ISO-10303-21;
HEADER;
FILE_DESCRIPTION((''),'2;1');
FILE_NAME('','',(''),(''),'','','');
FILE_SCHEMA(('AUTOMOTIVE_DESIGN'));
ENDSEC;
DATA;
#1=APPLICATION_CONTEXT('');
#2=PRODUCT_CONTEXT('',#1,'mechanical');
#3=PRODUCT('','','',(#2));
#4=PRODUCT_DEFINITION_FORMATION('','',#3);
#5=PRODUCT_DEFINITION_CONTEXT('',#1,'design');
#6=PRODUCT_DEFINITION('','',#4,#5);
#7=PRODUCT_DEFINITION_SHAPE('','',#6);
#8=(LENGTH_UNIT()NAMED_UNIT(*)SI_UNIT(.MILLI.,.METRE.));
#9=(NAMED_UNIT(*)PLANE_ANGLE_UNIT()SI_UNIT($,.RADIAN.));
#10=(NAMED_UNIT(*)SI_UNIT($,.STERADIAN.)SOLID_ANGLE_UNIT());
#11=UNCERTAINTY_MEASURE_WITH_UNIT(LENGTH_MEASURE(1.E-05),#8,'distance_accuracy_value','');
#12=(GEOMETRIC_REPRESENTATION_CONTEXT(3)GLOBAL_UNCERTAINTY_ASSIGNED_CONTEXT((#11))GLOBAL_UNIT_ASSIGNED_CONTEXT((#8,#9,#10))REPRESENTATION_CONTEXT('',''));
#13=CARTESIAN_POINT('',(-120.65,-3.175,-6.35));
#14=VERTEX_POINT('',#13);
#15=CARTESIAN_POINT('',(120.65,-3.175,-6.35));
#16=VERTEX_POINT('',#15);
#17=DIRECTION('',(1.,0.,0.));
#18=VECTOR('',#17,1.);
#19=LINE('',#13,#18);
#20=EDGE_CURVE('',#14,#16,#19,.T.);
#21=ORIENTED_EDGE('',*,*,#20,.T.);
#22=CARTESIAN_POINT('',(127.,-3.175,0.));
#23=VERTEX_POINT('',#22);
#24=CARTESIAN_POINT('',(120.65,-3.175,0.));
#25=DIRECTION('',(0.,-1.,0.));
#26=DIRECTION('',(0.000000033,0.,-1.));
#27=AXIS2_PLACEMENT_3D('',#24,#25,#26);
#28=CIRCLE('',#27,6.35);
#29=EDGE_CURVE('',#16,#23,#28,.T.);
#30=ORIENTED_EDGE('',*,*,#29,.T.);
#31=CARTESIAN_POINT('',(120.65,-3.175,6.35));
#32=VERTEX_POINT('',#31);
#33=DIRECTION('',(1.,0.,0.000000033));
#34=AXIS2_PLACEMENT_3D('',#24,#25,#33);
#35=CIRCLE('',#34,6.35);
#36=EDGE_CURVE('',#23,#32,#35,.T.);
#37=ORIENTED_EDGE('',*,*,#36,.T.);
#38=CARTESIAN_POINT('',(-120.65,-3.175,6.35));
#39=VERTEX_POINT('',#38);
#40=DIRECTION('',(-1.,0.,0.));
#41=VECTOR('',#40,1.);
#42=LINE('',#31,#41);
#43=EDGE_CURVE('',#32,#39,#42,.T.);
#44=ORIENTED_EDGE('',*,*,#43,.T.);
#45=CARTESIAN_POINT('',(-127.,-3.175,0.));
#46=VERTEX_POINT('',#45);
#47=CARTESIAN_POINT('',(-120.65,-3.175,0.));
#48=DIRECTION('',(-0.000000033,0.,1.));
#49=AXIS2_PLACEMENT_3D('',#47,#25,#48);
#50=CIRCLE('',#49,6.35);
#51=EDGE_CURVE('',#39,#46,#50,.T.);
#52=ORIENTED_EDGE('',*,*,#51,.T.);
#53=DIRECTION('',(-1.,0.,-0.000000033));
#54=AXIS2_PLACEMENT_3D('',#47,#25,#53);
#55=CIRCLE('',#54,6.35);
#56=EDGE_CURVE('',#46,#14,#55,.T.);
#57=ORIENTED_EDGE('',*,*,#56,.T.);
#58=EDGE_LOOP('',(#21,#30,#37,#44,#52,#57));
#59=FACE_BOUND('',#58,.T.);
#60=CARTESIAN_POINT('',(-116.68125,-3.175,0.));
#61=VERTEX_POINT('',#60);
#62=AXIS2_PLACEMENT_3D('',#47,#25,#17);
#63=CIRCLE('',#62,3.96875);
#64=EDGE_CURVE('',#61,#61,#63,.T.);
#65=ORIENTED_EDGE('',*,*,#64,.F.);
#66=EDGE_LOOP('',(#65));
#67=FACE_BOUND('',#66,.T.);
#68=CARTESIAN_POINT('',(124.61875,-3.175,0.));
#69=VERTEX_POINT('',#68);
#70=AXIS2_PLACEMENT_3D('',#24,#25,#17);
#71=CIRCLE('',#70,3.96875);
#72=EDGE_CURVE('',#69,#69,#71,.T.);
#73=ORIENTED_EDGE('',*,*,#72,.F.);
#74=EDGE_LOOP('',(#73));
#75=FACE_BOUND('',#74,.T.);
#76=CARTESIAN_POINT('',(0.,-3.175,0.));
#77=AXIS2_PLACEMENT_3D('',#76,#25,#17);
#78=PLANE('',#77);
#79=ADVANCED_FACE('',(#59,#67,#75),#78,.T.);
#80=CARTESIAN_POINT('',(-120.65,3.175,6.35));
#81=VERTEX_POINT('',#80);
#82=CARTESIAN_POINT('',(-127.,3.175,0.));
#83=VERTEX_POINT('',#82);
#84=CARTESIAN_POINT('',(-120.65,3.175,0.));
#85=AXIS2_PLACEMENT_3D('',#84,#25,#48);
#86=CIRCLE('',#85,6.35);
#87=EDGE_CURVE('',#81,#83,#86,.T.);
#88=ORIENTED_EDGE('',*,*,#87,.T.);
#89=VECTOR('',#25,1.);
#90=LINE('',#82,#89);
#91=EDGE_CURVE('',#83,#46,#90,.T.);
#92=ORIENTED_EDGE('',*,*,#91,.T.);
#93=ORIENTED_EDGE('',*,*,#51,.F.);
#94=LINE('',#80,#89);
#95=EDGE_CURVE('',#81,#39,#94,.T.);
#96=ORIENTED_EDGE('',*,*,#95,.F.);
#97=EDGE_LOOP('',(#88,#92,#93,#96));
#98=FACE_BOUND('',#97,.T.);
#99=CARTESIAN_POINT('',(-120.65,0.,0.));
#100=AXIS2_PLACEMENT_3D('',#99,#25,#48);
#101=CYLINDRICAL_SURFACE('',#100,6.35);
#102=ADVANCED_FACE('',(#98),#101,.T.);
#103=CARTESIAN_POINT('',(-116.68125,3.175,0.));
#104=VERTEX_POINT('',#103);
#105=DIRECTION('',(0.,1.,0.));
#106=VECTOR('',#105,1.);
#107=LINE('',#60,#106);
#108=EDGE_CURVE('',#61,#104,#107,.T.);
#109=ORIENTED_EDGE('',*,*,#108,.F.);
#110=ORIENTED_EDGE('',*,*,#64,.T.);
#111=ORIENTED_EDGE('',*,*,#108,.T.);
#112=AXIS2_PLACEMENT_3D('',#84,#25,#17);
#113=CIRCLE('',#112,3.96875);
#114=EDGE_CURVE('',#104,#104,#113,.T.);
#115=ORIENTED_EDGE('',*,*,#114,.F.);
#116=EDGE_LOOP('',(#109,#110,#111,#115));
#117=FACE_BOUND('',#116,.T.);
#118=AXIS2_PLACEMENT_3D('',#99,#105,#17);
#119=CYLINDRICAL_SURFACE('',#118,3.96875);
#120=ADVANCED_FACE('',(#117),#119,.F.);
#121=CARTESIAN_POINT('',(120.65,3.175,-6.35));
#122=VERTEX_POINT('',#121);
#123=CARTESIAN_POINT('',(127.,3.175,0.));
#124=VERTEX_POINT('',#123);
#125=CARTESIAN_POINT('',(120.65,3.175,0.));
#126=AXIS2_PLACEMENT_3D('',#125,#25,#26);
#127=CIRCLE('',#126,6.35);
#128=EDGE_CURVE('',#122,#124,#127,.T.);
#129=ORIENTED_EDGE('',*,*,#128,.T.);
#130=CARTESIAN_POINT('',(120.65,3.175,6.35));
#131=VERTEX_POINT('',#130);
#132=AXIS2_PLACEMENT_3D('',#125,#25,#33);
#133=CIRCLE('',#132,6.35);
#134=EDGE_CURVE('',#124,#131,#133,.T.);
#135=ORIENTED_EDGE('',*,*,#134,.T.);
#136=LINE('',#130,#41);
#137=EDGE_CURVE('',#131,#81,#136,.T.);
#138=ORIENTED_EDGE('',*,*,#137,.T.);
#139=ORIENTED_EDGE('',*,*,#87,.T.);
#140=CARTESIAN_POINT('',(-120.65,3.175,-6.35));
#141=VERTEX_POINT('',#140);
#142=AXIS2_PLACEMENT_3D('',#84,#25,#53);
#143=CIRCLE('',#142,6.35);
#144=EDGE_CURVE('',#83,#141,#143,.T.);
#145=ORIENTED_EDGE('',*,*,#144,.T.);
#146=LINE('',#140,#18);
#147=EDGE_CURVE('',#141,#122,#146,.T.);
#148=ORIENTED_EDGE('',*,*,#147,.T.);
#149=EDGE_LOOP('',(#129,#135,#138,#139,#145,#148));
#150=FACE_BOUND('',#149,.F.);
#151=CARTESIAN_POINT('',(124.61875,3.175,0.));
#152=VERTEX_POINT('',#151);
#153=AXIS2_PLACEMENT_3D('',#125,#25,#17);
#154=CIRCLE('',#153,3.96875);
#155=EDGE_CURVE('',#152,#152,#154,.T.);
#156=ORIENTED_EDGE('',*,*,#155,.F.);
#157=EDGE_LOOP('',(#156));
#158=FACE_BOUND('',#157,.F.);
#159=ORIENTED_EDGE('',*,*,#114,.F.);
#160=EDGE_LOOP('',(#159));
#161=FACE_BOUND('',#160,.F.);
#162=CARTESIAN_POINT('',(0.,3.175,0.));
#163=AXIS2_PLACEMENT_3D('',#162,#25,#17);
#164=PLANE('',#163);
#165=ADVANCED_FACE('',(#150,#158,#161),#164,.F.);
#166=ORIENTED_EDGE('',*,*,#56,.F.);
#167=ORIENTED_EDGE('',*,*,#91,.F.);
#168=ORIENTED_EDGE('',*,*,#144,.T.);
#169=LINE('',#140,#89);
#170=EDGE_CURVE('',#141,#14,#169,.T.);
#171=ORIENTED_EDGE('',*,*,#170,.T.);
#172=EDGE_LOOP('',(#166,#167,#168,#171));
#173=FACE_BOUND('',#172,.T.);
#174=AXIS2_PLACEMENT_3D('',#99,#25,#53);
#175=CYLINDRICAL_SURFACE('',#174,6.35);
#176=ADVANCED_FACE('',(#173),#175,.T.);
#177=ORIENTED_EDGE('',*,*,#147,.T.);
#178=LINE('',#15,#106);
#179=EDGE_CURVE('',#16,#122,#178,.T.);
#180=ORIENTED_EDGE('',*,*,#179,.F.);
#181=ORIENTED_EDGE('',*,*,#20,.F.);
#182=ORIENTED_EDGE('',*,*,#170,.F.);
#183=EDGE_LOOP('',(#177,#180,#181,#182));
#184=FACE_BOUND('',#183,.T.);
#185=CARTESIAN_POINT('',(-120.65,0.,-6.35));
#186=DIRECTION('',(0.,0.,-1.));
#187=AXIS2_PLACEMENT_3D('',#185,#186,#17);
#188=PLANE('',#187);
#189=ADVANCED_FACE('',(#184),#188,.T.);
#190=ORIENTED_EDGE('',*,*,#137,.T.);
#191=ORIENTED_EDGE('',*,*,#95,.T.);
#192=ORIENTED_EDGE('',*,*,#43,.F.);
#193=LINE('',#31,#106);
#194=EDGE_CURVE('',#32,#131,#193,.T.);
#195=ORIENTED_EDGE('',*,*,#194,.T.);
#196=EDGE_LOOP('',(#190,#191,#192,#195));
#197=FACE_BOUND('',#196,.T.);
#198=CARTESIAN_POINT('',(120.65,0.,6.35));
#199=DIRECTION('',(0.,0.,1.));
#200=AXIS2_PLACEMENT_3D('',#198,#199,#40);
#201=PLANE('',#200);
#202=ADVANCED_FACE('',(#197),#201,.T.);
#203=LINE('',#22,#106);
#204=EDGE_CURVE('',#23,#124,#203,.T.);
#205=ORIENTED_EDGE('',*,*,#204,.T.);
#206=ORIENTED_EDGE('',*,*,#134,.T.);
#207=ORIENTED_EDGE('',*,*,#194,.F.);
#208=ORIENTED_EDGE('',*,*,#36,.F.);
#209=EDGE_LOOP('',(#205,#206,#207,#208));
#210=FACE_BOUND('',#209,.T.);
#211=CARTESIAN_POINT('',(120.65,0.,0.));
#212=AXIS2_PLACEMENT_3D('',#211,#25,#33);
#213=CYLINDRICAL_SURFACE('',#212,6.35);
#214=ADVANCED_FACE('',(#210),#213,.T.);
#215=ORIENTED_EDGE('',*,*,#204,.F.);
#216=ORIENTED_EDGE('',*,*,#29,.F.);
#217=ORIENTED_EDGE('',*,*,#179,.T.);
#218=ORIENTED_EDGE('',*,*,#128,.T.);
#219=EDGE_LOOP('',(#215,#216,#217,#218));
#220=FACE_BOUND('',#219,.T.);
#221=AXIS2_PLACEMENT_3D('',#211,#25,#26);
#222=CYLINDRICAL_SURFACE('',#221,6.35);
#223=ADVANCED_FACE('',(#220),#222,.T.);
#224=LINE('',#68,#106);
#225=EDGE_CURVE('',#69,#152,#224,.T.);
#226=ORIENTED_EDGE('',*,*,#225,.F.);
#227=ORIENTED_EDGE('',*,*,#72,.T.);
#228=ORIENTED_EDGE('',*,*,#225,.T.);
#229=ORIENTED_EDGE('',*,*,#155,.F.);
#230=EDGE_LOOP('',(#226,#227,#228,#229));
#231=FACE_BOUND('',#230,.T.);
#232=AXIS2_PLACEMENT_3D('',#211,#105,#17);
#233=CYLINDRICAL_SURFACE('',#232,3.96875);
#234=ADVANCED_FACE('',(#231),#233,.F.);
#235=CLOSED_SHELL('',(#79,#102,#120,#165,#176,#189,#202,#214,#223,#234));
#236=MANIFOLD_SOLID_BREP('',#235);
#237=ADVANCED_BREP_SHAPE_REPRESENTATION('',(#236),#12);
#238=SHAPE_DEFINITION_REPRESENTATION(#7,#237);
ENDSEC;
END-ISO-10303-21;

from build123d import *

# Parameters (mm, degrees)
F0_R     = 3.96875
F1_DEPTH = 3.175


with BuildPart() as f1:
    # F0 (on Front) → F1 (new body, symmetric)
    with BuildSketch(Plane.XZ):
        with BuildLine():
            Line((120.65, 6.35), (-120.65, 6.35))
            ThreePointArc((-120.65, 6.35), (-125.140128, 4.490128), (-127, 0))
            ThreePointArc((-127, 0), (-125.140128, -4.490128), (-120.65, -6.35))
            Line((-120.65, -6.35), (120.65, -6.35))
            ThreePointArc((120.65, -6.35), (125.140128, -4.490128), (127, 0))
            ThreePointArc((127, 0), (125.140128, 4.490128), (120.65, 6.35))
        make_face()
        with Locations((-120.65, 0)):
            Circle(F0_R, mode=Mode.SUBTRACT)
        with Locations((120.65, 0)):
            Circle(F0_R, mode=Mode.SUBTRACT)
    extrude(amount=F1_DEPTH, both=True)


solid = f1.part
